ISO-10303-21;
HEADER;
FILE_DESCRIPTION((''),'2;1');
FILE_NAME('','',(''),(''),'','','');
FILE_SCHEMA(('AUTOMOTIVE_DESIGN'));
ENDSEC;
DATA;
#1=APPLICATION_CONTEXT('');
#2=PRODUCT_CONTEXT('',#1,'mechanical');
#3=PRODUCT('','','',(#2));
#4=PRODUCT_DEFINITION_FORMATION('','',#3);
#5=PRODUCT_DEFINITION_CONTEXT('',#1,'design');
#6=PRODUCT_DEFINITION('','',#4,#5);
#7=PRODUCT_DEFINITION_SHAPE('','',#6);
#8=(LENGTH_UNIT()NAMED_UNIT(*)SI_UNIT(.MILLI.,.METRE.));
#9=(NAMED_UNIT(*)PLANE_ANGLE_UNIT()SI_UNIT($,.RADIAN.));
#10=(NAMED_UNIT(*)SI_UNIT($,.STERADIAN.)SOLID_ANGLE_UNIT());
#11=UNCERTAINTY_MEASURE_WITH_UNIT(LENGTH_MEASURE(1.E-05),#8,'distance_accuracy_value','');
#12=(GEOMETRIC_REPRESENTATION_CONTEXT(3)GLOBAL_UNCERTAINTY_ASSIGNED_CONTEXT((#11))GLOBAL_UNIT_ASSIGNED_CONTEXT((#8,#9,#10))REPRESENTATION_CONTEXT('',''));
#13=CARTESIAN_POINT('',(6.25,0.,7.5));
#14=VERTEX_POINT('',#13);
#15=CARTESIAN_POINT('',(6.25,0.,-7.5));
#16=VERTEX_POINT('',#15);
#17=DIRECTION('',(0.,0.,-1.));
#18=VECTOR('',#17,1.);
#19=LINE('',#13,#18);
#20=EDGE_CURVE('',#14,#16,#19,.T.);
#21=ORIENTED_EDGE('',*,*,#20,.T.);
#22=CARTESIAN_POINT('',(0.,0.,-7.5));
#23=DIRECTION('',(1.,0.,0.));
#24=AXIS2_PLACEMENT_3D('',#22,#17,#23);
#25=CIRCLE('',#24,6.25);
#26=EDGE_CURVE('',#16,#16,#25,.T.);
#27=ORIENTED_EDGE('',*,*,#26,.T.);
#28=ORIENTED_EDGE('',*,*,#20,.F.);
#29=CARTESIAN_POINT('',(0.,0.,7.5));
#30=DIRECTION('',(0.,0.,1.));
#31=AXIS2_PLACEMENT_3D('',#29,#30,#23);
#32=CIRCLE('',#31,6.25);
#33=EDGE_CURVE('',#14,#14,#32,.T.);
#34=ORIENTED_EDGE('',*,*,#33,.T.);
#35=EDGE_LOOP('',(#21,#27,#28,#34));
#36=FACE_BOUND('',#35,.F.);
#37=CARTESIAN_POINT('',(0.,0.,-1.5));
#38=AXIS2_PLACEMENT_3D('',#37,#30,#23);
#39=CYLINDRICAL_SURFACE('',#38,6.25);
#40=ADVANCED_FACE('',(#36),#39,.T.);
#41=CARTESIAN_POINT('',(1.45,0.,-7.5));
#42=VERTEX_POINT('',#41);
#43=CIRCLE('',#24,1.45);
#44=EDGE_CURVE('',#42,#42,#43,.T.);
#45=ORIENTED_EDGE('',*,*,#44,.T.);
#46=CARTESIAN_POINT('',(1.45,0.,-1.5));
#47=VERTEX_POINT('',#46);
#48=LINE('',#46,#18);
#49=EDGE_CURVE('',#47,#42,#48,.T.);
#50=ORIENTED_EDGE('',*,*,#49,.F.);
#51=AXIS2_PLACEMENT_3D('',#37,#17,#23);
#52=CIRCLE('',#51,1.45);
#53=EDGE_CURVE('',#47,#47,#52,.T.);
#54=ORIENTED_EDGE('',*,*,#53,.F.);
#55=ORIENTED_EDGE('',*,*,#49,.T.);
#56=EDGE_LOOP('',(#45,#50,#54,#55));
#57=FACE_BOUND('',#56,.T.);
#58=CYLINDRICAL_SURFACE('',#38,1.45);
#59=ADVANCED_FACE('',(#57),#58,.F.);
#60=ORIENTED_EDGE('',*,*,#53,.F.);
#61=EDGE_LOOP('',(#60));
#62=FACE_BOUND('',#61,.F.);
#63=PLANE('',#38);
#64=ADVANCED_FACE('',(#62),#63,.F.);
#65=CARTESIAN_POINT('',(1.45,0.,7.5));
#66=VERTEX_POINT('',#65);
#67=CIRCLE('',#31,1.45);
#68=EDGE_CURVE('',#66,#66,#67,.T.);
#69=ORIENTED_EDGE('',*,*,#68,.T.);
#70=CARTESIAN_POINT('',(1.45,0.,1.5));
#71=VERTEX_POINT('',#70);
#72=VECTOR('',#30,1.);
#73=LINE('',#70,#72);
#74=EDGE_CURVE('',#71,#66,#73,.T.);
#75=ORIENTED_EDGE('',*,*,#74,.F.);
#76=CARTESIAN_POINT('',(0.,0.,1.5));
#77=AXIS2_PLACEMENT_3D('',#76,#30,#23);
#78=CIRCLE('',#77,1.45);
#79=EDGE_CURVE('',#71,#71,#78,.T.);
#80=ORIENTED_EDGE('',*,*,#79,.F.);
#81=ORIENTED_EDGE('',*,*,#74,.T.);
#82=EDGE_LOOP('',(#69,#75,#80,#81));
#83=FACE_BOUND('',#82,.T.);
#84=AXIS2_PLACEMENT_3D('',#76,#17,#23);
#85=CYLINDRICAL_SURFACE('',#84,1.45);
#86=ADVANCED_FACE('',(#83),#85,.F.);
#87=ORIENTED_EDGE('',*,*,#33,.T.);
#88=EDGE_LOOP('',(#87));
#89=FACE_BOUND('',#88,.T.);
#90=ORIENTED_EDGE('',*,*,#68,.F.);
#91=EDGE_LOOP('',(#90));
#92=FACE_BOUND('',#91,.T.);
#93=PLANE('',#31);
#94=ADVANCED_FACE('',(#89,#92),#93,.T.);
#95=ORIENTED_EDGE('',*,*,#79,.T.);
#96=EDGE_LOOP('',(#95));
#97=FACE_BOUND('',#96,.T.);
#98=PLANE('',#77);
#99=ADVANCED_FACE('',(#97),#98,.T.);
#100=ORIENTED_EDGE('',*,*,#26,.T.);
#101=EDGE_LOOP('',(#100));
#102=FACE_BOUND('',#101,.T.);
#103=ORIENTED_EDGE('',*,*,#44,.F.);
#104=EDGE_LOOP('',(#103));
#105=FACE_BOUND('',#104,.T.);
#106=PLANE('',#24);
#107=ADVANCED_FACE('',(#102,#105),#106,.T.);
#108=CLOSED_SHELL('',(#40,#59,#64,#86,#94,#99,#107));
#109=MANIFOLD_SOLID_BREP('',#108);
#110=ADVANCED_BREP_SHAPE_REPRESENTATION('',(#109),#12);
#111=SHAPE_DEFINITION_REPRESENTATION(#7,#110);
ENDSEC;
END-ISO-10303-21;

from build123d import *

# Parameters (mm, degrees)
F0_R          = 6.25
F1_DEPTH      = 1.5
F1_DEPTH_BACK = 1.5
F2_R          = 6.25
F2_R_2        = 1.45
F3_DEPTH      = 6
F4_R          = 6.25
F4_R_2        = 1.45
F5_DEPTH      = 6


with BuildPart() as f1:
    # F0 (on Top) → F1 (new body, two sides)
    with BuildSketch(Plane.XY) as f1_sk:
        Circle(F0_R)
    extrude(amount=F1_DEPTH)
    extrude(f1_sk.sketch, amount=-F1_DEPTH_BACK)

    # F2 (on face) → F3 (join)
    with BuildSketch(Plane.XY.offset(1.5)):
        Circle(F2_R)
        Circle(F2_R_2, mode=Mode.SUBTRACT)
    extrude(amount=F3_DEPTH)

    # F4 (on face) → F5 (join)
    with BuildSketch(Plane(origin=(0, 0, -1.5), x_dir=(1, 0, 0), z_dir=(0, 0, -1))):
        Circle(F4_R)
        Circle(F4_R_2, mode=Mode.SUBTRACT)
    extrude(amount=F5_DEPTH)


solid = f1.part
